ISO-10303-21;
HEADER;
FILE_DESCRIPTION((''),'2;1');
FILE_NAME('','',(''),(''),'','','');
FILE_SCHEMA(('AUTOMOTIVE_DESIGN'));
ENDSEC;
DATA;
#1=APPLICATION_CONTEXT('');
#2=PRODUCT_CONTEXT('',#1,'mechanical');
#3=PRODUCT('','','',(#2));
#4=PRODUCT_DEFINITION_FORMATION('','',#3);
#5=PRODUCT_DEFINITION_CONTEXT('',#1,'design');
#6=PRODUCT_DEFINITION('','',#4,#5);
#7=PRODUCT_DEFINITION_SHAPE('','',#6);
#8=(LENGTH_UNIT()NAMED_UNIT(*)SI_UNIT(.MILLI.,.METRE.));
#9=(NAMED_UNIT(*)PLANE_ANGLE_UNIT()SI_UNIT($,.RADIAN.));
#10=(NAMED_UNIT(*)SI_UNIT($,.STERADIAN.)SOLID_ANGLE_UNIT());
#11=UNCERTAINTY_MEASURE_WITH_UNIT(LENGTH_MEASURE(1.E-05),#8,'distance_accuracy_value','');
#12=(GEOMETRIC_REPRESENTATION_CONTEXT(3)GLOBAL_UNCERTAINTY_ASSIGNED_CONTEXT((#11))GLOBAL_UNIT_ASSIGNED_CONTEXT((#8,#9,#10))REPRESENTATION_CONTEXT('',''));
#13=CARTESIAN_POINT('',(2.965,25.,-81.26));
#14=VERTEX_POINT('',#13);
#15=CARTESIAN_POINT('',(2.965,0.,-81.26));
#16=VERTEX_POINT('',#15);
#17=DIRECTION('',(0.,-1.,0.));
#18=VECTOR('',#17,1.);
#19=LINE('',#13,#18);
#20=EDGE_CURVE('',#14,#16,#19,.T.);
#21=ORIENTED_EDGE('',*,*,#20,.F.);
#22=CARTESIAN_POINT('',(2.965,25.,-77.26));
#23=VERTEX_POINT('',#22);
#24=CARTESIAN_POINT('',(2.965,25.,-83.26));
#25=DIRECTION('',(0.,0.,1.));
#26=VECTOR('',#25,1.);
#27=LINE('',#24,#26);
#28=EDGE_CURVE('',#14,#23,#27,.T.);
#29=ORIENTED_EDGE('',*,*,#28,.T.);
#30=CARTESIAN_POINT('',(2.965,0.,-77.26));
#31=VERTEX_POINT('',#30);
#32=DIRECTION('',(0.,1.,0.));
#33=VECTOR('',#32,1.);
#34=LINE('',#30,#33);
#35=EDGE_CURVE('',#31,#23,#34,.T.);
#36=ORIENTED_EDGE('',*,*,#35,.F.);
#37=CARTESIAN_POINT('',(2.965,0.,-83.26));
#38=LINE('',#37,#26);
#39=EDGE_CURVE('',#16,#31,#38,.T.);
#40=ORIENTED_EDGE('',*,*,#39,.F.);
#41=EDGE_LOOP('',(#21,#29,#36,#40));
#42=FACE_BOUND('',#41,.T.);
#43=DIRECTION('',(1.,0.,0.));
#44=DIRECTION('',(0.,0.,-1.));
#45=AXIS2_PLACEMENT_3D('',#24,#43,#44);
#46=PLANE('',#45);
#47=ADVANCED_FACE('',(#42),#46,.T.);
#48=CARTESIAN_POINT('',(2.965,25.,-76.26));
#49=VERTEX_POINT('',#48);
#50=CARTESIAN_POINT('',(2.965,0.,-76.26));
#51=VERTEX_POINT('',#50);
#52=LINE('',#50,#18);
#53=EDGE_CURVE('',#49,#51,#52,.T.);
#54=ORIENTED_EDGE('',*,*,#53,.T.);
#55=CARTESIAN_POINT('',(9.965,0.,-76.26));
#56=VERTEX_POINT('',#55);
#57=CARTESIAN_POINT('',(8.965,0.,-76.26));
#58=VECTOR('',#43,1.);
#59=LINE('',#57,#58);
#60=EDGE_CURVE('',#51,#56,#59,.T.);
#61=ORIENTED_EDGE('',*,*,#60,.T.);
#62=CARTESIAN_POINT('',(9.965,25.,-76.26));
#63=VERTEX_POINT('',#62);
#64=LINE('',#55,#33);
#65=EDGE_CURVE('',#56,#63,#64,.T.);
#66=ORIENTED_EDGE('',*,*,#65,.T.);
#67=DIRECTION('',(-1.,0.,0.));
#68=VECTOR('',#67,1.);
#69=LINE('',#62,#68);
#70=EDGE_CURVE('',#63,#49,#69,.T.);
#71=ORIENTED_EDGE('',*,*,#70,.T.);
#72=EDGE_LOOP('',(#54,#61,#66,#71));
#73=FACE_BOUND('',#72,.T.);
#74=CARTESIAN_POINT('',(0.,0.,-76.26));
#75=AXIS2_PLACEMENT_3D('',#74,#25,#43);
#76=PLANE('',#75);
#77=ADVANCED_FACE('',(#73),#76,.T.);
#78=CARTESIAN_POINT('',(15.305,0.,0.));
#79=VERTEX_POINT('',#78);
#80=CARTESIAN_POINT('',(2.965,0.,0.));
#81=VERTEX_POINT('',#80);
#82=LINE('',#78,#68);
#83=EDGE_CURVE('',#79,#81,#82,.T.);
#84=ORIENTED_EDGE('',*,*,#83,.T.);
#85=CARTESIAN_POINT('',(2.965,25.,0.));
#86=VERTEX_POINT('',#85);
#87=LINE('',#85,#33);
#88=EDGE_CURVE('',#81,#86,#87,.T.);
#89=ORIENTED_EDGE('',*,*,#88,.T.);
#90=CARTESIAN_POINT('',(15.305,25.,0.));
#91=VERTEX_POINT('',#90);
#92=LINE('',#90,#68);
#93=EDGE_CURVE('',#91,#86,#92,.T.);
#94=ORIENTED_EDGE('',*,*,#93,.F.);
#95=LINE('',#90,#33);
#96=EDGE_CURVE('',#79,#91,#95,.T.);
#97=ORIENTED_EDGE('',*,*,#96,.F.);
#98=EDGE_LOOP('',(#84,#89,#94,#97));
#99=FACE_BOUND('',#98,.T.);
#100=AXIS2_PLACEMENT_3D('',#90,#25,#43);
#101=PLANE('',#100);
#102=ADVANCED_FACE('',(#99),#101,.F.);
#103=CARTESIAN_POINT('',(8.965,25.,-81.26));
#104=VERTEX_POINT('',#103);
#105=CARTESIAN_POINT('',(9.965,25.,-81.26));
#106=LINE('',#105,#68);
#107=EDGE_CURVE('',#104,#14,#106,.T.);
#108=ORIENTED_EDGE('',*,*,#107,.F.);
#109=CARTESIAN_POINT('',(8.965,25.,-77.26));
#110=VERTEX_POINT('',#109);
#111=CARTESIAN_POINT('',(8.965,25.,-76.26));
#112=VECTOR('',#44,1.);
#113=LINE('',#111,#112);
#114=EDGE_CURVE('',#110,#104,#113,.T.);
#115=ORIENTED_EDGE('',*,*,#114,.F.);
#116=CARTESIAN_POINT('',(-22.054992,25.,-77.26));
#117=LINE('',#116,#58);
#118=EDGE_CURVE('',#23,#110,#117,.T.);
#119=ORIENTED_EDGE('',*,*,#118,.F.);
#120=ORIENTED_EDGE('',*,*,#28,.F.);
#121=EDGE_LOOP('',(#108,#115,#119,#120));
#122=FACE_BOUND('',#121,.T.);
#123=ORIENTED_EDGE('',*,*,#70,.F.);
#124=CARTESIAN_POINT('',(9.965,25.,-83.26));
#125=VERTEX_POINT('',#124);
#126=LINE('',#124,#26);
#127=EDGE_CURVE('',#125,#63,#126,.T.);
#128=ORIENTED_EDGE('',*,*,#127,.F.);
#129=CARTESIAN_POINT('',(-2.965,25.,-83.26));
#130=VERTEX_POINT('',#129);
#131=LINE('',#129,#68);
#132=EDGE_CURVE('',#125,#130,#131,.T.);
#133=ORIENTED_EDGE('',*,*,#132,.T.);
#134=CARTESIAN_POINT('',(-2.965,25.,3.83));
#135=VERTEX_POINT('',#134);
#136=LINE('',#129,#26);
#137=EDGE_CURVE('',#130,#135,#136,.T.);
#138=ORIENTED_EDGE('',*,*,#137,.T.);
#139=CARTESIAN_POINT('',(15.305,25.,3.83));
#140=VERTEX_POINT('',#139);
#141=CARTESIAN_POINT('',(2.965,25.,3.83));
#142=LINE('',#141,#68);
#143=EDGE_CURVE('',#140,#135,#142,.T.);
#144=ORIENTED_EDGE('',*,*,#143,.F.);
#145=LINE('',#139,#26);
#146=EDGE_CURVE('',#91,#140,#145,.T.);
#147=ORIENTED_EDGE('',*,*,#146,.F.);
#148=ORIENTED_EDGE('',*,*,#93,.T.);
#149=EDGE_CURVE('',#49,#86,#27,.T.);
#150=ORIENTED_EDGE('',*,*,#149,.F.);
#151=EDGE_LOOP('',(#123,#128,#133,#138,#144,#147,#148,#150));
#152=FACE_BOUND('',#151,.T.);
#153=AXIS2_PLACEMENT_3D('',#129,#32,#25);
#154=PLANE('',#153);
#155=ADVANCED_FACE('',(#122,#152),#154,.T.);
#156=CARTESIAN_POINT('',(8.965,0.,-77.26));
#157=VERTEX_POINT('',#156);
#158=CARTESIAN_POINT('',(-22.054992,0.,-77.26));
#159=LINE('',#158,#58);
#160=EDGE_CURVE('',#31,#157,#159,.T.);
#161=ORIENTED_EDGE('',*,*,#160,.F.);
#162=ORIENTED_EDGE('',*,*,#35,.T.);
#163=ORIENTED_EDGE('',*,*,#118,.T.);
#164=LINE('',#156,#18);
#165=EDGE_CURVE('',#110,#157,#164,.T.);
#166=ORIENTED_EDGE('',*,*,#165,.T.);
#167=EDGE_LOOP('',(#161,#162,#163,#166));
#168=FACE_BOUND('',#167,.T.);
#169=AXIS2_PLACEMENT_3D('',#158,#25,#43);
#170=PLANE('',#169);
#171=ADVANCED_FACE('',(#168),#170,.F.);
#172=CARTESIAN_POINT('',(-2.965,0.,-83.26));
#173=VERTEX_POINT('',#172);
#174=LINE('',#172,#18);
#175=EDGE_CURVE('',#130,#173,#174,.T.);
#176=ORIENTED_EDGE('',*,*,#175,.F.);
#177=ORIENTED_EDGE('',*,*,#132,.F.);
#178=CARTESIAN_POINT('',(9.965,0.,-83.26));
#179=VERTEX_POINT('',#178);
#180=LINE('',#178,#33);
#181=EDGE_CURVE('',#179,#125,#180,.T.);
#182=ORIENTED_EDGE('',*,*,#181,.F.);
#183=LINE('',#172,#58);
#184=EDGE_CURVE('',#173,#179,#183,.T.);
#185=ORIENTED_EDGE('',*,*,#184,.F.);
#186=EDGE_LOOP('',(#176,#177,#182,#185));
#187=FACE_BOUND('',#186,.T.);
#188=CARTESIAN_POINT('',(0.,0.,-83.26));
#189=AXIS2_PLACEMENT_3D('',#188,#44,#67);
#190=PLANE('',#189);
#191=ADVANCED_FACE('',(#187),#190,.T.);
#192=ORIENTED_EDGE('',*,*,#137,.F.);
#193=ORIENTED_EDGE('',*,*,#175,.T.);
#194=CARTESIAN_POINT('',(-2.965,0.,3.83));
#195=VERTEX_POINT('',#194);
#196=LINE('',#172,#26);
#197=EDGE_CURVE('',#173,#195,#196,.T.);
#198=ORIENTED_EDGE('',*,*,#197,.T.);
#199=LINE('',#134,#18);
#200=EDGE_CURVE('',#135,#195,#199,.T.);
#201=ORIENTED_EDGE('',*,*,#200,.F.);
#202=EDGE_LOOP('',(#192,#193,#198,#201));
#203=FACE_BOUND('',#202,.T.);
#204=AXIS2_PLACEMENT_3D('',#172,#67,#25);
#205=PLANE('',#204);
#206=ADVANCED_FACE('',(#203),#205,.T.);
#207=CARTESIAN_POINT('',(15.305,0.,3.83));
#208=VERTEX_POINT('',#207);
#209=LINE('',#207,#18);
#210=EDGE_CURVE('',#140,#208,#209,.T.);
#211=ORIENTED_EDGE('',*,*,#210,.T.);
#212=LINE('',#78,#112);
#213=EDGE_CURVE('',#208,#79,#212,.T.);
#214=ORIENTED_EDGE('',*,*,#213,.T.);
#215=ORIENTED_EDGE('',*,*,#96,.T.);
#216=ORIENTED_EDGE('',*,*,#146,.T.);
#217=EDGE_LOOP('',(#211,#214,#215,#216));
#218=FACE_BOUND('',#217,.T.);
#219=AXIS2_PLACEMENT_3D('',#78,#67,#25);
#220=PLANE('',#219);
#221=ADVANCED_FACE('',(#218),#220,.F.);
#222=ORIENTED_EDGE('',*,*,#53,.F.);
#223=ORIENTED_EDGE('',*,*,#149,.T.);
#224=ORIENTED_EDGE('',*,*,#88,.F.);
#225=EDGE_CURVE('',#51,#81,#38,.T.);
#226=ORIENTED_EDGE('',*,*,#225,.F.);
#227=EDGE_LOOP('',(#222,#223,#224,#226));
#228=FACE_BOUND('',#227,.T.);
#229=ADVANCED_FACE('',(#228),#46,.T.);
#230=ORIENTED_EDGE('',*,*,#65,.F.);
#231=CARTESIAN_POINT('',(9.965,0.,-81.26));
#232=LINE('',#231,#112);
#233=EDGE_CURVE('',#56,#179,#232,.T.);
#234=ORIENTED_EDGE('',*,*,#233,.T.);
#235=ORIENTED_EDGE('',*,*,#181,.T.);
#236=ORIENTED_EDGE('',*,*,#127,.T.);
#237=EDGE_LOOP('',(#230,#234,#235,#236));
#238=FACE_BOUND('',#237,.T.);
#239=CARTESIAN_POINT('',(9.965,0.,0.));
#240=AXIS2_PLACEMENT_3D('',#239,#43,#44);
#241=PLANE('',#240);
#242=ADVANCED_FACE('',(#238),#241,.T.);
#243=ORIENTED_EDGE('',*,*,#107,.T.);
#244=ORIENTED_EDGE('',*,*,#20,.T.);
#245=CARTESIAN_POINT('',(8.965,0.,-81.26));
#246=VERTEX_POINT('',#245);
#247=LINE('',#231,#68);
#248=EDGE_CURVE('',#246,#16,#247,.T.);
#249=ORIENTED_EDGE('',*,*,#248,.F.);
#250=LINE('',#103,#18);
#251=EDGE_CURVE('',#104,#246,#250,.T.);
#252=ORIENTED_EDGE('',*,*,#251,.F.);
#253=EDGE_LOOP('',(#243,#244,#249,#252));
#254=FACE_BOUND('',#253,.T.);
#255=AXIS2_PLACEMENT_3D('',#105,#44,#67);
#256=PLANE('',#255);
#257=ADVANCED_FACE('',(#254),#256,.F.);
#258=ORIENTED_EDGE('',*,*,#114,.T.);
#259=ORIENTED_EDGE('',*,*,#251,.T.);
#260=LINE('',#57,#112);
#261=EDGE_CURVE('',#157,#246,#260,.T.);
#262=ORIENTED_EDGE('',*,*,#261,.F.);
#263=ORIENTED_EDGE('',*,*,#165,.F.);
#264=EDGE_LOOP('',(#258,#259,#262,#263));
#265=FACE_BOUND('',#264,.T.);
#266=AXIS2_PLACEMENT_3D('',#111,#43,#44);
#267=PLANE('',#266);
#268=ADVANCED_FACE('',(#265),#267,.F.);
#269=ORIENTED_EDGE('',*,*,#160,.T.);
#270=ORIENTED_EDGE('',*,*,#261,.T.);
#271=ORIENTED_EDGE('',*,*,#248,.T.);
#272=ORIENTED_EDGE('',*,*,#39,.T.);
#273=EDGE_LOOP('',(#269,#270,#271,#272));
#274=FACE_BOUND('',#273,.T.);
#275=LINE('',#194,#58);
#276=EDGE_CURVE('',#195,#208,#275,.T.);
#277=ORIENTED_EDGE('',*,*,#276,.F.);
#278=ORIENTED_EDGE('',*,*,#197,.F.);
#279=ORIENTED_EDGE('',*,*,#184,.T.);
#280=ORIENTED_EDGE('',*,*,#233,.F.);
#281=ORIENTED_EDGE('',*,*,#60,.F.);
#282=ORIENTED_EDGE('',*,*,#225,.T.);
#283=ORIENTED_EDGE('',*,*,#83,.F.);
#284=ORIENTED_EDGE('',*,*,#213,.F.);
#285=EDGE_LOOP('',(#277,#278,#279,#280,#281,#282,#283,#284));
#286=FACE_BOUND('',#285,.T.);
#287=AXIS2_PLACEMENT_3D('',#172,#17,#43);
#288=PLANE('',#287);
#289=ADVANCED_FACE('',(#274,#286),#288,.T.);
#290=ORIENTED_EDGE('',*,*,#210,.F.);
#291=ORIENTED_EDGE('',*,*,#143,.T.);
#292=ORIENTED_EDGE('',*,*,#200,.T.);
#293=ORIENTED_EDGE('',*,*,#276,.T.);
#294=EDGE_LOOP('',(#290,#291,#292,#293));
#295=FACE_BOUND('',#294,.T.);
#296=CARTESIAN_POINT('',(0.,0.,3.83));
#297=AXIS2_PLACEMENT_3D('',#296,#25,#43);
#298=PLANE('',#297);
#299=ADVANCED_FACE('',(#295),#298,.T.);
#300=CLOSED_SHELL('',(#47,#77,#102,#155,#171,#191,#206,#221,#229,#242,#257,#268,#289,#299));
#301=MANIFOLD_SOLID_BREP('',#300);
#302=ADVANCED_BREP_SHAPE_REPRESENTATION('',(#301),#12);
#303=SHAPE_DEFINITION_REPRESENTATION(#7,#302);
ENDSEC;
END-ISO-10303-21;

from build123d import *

# Parameters (mm, degrees)
SCHIZZO2_W                   = 5.93
SCHIZZO2_H                   = 25
ESTRUSIONE_ESTRUSIONE1_DEPTH = 83.26
SCHIZZO3_W                   = 2
SCHIZZO3_H                   = 25
ESTRUSIONE_ESTRUSIONE2_DEPTH = 7
SCHIZZO4_W                   = 1
SCHIZZO4_H                   = 25
ESTRUSIONE_ESTRUSIONE3_DEPTH = 5
SCHIZZO5_W                   = 1
SCHIZZO5_H                   = 25
ESTRUSIONE_ESTRUSIONE4_DEPTH = 6
SCHIZZO7_W                   = 5.93
SCHIZZO7_H                   = 25
ESTRUSIONE_ESTRUSIONE5_DEPTH = 3.83
SCHIZZO9_W                   = 3.83
SCHIZZO9_H                   = 25
ESTRUSIONE_ESTRUSIONE7_DEPTH = 12.34


with BuildPart() as part:
    # Schizzo2 → Estrusione-Estrusione1 (new body)
    with BuildSketch(Plane.XY):
        with Locations((0, 12.5)):
            Rectangle(SCHIZZO2_W, SCHIZZO2_H)
    extrude(amount=-ESTRUSIONE_ESTRUSIONE1_DEPTH)

    # Schizzo3 → Estrusione-Estrusione2 (add)
    with BuildSketch(Plane(origin=(2.965, 0, 0), x_dir=(0, 0, -1), z_dir=(1, 0, 0))):
        with Locations((82.26, 12.5)):
            Rectangle(SCHIZZO3_W, SCHIZZO3_H)
    extrude(amount=ESTRUSIONE_ESTRUSIONE2_DEPTH)

    # Schizzo4 → Estrusione-Estrusione3 (add)
    with BuildSketch(Plane.XY.offset(-81.26)):
        with Locations((9.465, 12.5)):
            Rectangle(SCHIZZO4_W, SCHIZZO4_H)
    extrude(amount=ESTRUSIONE_ESTRUSIONE3_DEPTH)

    # Schizzo5 → Estrusione-Estrusione4 (add)
    with BuildSketch(Plane.ZY.offset(-8.965)):
        with Locations((-76.76, 12.5)):
            Rectangle(SCHIZZO5_W, SCHIZZO5_H)
    extrude(amount=ESTRUSIONE_ESTRUSIONE4_DEPTH)

    # Schizzo7 → Estrusione-Estrusione5 (add)
    with BuildSketch(Plane.XY):
        with Locations((0, 12.5)):
            Rectangle(SCHIZZO7_W, SCHIZZO7_H)
    extrude(amount=ESTRUSIONE_ESTRUSIONE5_DEPTH)

    # Schizzo9 → Estrusione-Estrusione7 (add)
    with BuildSketch(Plane(origin=(2.965, 0, 0), x_dir=(0, 0, -1), z_dir=(1, 0, 0))):
        with Locations((-1.915, 12.5)):
            Rectangle(SCHIZZO9_W, SCHIZZO9_H)
    extrude(amount=ESTRUSIONE_ESTRUSIONE7_DEPTH)


solid = part.part
